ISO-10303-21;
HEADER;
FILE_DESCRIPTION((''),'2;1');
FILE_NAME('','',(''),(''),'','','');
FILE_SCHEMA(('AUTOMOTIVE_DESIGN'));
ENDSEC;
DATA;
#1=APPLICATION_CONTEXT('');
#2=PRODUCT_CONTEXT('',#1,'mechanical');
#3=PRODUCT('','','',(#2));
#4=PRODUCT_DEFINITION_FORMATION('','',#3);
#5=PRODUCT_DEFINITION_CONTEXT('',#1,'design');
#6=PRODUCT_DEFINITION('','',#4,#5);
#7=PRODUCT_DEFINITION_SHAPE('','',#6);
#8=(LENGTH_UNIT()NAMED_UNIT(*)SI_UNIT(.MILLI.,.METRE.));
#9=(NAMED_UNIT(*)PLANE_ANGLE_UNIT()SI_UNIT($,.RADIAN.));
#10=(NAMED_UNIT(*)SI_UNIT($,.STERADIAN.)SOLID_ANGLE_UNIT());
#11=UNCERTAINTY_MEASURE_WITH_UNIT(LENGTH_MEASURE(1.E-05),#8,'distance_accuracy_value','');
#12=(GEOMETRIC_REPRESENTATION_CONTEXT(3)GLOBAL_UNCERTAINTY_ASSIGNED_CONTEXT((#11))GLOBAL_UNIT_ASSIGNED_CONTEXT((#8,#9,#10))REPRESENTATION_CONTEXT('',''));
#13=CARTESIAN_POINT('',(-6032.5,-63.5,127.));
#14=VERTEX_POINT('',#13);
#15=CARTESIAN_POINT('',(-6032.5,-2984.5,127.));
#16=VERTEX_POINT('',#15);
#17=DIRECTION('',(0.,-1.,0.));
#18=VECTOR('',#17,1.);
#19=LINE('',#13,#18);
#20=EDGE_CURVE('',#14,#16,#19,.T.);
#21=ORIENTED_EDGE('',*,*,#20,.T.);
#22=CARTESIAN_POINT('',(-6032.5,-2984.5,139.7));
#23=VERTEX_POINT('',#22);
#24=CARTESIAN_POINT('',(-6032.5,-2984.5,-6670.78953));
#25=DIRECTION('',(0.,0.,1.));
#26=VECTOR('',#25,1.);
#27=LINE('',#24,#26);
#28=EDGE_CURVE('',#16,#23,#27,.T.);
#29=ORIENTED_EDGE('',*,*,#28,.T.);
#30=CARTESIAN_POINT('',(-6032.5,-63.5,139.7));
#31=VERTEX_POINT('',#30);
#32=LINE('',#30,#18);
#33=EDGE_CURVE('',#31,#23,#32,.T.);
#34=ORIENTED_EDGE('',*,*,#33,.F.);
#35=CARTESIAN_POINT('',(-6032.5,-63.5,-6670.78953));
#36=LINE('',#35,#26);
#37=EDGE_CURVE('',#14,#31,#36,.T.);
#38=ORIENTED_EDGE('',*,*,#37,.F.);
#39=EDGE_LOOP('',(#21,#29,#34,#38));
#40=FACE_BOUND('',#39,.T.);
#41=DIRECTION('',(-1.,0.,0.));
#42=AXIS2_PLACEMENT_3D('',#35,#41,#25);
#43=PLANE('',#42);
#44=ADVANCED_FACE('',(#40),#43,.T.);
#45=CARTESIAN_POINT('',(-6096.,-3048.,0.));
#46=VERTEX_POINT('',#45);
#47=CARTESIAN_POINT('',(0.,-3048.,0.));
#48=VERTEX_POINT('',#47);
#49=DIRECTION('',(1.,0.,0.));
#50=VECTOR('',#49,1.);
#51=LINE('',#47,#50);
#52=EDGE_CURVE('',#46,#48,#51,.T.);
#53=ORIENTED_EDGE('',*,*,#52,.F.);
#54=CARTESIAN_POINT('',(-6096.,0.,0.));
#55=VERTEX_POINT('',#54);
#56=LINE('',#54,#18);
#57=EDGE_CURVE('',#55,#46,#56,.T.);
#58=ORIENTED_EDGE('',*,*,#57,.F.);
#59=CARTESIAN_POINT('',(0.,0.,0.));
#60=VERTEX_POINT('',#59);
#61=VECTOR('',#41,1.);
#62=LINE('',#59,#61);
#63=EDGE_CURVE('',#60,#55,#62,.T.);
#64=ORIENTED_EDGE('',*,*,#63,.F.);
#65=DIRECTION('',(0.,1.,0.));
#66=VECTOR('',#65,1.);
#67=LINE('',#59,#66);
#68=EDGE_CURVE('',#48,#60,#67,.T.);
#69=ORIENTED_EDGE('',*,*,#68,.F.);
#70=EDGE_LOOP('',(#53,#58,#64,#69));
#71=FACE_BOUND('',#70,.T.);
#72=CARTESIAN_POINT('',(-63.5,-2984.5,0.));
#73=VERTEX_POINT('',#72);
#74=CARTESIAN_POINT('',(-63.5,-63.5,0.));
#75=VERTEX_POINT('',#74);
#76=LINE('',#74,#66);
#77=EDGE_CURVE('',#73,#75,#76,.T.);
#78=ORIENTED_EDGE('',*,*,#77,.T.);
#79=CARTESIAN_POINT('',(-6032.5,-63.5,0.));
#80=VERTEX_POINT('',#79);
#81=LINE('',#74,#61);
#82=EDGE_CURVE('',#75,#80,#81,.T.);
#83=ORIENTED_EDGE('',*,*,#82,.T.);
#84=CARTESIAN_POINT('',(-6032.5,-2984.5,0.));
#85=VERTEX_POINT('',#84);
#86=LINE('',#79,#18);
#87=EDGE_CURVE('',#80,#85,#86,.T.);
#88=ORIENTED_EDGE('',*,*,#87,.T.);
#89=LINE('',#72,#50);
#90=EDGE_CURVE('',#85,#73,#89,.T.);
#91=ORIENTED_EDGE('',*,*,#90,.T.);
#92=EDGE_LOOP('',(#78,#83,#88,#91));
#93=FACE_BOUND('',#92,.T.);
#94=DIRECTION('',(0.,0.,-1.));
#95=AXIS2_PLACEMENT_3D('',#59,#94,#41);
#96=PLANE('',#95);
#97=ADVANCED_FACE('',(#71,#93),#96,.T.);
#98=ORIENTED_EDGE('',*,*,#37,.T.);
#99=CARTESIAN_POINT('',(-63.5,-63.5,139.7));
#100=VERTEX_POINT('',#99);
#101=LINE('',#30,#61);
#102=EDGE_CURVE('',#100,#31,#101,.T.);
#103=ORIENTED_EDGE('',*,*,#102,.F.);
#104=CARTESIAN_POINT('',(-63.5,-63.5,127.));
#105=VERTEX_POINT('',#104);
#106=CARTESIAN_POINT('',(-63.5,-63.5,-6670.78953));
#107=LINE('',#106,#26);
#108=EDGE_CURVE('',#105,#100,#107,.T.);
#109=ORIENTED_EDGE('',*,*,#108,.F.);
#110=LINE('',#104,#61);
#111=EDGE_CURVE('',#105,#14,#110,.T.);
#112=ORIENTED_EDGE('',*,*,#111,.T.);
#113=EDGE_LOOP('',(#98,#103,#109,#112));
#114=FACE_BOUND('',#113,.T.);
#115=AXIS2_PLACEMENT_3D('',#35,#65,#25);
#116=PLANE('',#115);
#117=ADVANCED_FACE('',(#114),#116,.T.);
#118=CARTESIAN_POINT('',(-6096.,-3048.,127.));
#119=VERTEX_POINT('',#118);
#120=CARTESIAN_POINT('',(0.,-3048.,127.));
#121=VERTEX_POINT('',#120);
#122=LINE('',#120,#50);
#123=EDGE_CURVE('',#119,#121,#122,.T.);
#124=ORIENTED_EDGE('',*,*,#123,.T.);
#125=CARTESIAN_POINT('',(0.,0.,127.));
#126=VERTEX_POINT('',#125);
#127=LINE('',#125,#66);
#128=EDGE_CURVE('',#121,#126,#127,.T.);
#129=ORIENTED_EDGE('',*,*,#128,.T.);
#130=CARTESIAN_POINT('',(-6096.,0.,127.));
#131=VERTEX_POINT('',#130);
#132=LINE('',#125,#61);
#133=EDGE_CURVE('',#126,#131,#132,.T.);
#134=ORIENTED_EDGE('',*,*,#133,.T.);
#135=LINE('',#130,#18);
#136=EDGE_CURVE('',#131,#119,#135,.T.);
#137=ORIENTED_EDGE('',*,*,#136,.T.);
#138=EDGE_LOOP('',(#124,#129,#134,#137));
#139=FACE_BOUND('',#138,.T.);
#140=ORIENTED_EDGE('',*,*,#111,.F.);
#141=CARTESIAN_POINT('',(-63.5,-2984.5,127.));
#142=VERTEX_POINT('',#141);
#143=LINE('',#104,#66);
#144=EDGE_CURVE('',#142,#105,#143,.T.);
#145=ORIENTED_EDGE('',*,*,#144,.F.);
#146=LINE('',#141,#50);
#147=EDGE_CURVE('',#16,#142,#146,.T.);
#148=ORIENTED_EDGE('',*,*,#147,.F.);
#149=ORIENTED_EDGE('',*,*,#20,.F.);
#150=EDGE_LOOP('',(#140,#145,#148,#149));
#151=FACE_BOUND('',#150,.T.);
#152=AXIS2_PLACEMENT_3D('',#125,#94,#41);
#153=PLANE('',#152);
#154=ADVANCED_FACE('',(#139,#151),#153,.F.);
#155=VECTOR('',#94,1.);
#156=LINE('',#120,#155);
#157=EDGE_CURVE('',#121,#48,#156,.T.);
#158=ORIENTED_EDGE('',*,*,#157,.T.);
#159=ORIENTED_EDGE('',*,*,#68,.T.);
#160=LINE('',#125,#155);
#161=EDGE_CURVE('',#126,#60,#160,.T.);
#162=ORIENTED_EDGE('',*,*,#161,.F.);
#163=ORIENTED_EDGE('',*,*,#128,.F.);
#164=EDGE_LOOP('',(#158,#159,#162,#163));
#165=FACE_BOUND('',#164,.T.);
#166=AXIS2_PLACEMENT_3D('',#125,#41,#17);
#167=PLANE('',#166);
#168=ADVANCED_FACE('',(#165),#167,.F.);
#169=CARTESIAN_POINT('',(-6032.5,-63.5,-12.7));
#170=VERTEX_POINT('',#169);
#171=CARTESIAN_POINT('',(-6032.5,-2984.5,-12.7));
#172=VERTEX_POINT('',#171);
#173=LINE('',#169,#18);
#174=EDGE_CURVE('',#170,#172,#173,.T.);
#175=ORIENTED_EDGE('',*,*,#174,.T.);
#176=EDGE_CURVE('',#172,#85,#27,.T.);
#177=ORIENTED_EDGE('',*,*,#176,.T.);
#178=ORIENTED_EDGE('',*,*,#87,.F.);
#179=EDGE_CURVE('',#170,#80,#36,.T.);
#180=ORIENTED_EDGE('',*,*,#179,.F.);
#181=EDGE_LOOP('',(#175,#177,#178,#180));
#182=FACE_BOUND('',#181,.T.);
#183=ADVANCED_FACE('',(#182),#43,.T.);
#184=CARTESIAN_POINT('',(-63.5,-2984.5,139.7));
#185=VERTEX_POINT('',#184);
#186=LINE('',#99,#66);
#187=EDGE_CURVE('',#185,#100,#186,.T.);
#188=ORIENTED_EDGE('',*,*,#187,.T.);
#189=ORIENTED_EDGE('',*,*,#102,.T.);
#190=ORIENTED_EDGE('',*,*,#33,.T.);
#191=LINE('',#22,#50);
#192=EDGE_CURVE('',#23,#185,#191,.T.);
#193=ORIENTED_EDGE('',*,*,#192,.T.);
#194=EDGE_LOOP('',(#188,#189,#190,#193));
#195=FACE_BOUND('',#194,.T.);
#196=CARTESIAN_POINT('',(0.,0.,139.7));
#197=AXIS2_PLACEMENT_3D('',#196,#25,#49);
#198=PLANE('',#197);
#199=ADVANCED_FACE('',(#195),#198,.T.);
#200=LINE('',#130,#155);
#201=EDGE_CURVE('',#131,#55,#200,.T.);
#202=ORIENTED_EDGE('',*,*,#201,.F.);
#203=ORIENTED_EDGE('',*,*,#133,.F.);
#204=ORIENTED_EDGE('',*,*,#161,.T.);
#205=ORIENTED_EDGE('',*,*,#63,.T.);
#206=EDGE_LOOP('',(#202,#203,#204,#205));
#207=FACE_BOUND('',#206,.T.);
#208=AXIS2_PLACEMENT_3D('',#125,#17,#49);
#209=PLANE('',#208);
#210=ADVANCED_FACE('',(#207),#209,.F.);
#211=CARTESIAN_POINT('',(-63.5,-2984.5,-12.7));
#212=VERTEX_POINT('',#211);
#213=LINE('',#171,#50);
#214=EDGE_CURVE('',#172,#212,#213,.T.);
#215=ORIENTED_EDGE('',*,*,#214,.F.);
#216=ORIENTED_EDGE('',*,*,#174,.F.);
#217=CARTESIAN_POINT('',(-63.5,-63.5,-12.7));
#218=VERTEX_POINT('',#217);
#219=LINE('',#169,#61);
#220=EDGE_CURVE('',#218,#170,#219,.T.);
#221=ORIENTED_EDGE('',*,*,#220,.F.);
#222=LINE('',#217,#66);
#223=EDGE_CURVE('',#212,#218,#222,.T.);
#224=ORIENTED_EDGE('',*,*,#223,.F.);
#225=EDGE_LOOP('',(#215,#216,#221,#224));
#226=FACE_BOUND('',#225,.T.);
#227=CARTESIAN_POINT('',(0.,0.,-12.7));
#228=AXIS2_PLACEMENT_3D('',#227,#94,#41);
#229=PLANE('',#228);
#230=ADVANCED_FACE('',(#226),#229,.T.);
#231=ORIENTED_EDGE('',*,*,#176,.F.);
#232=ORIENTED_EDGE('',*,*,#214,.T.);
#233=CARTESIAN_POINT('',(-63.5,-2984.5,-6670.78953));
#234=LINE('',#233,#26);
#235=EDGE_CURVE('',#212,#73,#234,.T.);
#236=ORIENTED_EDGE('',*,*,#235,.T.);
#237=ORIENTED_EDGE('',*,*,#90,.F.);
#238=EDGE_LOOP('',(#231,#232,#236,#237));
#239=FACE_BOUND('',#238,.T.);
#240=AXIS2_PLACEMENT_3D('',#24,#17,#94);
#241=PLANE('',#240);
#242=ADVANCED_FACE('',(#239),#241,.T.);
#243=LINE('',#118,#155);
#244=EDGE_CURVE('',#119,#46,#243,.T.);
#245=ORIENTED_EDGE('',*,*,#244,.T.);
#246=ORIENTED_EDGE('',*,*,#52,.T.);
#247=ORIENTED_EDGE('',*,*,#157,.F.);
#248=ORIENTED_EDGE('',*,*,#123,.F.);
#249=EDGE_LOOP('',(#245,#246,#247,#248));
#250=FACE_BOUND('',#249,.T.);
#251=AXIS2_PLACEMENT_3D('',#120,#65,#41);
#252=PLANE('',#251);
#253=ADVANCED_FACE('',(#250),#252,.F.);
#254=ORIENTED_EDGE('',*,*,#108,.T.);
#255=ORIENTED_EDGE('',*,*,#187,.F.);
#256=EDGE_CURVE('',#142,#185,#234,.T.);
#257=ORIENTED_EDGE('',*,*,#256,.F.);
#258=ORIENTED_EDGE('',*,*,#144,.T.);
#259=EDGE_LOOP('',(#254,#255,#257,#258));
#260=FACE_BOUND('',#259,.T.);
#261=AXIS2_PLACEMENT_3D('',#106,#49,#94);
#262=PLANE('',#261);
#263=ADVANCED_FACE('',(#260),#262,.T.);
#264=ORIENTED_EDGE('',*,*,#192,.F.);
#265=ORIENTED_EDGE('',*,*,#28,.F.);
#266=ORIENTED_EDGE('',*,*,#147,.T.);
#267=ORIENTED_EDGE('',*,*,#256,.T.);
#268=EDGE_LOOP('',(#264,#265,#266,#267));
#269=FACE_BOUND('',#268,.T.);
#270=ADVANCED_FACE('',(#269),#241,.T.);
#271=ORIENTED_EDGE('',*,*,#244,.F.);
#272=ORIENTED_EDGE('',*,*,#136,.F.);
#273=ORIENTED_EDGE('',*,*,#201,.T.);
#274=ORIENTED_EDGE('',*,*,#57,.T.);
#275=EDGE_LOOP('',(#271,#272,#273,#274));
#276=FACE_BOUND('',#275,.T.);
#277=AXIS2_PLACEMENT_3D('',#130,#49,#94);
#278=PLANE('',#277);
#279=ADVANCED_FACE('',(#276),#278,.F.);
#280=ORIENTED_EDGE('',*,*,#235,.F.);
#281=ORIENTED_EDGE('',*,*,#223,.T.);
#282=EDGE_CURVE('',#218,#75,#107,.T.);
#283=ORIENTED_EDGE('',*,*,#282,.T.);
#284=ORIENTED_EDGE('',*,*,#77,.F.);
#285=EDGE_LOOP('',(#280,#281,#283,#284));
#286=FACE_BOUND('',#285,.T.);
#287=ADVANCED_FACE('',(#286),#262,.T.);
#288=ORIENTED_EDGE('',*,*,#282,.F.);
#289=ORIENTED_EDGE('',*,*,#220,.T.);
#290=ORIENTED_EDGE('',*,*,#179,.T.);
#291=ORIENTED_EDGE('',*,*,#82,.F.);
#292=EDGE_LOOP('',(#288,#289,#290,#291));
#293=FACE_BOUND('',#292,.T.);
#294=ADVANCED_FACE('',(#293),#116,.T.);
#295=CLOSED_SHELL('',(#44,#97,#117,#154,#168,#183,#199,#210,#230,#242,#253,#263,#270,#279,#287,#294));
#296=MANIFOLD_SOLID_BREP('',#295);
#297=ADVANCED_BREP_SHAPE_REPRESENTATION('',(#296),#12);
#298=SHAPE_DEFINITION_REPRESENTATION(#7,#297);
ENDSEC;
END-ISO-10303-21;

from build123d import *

# Parameters (mm, degrees)
SKETCH1_W                = 6096
SKETCH1_H                = 3048
BOSS_EXTRUDE2_DEPTH      = 127
CUT_EXTRUDE1_REACH       = 6818.718
SKETCH3_W                = 5969
SKETCH3_H                = 2921
BOSS_EXTRUDE3_DEPTH      = 12.7
BOSS_EXTRUDE3_DEPTH_BACK = 139.7
SKETCH4_W                = 5969
SKETCH4_H                = 2921


with BuildPart() as part:
    # Sketch1 → Boss-Extrude2 (new body)
    with BuildSketch(Plane.XY):
        with Locations((-3048, -1524)):
            Rectangle(SKETCH1_W, SKETCH1_H)
    extrude(amount=BOSS_EXTRUDE2_DEPTH)

    # Sketch3 → Cut-Extrude1 (cut, up to next)
    with BuildSketch(Plane.XY.offset(127), mode=Mode.PRIVATE) as cut_extrude1_sk1:
        with Locations((-3048, -1524)):
            Rectangle(SKETCH3_W, SKETCH3_H)
    cut_extrude1_tool1 = extrude(cut_extrude1_sk1.sketch, amount=-CUT_EXTRUDE1_REACH, mode=Mode.PRIVATE) & part.part
    add(cut_extrude1_tool1.solids().sort_by_distance((-3048, -1524, 127))[0], mode=Mode.SUBTRACT)

    # Sketch4 → Boss-Extrude3 (add, two sides: drawn at the far end of the back side and taken through both)
    with BuildSketch(Plane.XY.offset(127).offset(-BOSS_EXTRUDE3_DEPTH_BACK)):
        with Locations((-3048, -1524)):
            Rectangle(SKETCH4_W, SKETCH4_H)
    extrude(amount=BOSS_EXTRUDE3_DEPTH + BOSS_EXTRUDE3_DEPTH_BACK)


solid = part.part
